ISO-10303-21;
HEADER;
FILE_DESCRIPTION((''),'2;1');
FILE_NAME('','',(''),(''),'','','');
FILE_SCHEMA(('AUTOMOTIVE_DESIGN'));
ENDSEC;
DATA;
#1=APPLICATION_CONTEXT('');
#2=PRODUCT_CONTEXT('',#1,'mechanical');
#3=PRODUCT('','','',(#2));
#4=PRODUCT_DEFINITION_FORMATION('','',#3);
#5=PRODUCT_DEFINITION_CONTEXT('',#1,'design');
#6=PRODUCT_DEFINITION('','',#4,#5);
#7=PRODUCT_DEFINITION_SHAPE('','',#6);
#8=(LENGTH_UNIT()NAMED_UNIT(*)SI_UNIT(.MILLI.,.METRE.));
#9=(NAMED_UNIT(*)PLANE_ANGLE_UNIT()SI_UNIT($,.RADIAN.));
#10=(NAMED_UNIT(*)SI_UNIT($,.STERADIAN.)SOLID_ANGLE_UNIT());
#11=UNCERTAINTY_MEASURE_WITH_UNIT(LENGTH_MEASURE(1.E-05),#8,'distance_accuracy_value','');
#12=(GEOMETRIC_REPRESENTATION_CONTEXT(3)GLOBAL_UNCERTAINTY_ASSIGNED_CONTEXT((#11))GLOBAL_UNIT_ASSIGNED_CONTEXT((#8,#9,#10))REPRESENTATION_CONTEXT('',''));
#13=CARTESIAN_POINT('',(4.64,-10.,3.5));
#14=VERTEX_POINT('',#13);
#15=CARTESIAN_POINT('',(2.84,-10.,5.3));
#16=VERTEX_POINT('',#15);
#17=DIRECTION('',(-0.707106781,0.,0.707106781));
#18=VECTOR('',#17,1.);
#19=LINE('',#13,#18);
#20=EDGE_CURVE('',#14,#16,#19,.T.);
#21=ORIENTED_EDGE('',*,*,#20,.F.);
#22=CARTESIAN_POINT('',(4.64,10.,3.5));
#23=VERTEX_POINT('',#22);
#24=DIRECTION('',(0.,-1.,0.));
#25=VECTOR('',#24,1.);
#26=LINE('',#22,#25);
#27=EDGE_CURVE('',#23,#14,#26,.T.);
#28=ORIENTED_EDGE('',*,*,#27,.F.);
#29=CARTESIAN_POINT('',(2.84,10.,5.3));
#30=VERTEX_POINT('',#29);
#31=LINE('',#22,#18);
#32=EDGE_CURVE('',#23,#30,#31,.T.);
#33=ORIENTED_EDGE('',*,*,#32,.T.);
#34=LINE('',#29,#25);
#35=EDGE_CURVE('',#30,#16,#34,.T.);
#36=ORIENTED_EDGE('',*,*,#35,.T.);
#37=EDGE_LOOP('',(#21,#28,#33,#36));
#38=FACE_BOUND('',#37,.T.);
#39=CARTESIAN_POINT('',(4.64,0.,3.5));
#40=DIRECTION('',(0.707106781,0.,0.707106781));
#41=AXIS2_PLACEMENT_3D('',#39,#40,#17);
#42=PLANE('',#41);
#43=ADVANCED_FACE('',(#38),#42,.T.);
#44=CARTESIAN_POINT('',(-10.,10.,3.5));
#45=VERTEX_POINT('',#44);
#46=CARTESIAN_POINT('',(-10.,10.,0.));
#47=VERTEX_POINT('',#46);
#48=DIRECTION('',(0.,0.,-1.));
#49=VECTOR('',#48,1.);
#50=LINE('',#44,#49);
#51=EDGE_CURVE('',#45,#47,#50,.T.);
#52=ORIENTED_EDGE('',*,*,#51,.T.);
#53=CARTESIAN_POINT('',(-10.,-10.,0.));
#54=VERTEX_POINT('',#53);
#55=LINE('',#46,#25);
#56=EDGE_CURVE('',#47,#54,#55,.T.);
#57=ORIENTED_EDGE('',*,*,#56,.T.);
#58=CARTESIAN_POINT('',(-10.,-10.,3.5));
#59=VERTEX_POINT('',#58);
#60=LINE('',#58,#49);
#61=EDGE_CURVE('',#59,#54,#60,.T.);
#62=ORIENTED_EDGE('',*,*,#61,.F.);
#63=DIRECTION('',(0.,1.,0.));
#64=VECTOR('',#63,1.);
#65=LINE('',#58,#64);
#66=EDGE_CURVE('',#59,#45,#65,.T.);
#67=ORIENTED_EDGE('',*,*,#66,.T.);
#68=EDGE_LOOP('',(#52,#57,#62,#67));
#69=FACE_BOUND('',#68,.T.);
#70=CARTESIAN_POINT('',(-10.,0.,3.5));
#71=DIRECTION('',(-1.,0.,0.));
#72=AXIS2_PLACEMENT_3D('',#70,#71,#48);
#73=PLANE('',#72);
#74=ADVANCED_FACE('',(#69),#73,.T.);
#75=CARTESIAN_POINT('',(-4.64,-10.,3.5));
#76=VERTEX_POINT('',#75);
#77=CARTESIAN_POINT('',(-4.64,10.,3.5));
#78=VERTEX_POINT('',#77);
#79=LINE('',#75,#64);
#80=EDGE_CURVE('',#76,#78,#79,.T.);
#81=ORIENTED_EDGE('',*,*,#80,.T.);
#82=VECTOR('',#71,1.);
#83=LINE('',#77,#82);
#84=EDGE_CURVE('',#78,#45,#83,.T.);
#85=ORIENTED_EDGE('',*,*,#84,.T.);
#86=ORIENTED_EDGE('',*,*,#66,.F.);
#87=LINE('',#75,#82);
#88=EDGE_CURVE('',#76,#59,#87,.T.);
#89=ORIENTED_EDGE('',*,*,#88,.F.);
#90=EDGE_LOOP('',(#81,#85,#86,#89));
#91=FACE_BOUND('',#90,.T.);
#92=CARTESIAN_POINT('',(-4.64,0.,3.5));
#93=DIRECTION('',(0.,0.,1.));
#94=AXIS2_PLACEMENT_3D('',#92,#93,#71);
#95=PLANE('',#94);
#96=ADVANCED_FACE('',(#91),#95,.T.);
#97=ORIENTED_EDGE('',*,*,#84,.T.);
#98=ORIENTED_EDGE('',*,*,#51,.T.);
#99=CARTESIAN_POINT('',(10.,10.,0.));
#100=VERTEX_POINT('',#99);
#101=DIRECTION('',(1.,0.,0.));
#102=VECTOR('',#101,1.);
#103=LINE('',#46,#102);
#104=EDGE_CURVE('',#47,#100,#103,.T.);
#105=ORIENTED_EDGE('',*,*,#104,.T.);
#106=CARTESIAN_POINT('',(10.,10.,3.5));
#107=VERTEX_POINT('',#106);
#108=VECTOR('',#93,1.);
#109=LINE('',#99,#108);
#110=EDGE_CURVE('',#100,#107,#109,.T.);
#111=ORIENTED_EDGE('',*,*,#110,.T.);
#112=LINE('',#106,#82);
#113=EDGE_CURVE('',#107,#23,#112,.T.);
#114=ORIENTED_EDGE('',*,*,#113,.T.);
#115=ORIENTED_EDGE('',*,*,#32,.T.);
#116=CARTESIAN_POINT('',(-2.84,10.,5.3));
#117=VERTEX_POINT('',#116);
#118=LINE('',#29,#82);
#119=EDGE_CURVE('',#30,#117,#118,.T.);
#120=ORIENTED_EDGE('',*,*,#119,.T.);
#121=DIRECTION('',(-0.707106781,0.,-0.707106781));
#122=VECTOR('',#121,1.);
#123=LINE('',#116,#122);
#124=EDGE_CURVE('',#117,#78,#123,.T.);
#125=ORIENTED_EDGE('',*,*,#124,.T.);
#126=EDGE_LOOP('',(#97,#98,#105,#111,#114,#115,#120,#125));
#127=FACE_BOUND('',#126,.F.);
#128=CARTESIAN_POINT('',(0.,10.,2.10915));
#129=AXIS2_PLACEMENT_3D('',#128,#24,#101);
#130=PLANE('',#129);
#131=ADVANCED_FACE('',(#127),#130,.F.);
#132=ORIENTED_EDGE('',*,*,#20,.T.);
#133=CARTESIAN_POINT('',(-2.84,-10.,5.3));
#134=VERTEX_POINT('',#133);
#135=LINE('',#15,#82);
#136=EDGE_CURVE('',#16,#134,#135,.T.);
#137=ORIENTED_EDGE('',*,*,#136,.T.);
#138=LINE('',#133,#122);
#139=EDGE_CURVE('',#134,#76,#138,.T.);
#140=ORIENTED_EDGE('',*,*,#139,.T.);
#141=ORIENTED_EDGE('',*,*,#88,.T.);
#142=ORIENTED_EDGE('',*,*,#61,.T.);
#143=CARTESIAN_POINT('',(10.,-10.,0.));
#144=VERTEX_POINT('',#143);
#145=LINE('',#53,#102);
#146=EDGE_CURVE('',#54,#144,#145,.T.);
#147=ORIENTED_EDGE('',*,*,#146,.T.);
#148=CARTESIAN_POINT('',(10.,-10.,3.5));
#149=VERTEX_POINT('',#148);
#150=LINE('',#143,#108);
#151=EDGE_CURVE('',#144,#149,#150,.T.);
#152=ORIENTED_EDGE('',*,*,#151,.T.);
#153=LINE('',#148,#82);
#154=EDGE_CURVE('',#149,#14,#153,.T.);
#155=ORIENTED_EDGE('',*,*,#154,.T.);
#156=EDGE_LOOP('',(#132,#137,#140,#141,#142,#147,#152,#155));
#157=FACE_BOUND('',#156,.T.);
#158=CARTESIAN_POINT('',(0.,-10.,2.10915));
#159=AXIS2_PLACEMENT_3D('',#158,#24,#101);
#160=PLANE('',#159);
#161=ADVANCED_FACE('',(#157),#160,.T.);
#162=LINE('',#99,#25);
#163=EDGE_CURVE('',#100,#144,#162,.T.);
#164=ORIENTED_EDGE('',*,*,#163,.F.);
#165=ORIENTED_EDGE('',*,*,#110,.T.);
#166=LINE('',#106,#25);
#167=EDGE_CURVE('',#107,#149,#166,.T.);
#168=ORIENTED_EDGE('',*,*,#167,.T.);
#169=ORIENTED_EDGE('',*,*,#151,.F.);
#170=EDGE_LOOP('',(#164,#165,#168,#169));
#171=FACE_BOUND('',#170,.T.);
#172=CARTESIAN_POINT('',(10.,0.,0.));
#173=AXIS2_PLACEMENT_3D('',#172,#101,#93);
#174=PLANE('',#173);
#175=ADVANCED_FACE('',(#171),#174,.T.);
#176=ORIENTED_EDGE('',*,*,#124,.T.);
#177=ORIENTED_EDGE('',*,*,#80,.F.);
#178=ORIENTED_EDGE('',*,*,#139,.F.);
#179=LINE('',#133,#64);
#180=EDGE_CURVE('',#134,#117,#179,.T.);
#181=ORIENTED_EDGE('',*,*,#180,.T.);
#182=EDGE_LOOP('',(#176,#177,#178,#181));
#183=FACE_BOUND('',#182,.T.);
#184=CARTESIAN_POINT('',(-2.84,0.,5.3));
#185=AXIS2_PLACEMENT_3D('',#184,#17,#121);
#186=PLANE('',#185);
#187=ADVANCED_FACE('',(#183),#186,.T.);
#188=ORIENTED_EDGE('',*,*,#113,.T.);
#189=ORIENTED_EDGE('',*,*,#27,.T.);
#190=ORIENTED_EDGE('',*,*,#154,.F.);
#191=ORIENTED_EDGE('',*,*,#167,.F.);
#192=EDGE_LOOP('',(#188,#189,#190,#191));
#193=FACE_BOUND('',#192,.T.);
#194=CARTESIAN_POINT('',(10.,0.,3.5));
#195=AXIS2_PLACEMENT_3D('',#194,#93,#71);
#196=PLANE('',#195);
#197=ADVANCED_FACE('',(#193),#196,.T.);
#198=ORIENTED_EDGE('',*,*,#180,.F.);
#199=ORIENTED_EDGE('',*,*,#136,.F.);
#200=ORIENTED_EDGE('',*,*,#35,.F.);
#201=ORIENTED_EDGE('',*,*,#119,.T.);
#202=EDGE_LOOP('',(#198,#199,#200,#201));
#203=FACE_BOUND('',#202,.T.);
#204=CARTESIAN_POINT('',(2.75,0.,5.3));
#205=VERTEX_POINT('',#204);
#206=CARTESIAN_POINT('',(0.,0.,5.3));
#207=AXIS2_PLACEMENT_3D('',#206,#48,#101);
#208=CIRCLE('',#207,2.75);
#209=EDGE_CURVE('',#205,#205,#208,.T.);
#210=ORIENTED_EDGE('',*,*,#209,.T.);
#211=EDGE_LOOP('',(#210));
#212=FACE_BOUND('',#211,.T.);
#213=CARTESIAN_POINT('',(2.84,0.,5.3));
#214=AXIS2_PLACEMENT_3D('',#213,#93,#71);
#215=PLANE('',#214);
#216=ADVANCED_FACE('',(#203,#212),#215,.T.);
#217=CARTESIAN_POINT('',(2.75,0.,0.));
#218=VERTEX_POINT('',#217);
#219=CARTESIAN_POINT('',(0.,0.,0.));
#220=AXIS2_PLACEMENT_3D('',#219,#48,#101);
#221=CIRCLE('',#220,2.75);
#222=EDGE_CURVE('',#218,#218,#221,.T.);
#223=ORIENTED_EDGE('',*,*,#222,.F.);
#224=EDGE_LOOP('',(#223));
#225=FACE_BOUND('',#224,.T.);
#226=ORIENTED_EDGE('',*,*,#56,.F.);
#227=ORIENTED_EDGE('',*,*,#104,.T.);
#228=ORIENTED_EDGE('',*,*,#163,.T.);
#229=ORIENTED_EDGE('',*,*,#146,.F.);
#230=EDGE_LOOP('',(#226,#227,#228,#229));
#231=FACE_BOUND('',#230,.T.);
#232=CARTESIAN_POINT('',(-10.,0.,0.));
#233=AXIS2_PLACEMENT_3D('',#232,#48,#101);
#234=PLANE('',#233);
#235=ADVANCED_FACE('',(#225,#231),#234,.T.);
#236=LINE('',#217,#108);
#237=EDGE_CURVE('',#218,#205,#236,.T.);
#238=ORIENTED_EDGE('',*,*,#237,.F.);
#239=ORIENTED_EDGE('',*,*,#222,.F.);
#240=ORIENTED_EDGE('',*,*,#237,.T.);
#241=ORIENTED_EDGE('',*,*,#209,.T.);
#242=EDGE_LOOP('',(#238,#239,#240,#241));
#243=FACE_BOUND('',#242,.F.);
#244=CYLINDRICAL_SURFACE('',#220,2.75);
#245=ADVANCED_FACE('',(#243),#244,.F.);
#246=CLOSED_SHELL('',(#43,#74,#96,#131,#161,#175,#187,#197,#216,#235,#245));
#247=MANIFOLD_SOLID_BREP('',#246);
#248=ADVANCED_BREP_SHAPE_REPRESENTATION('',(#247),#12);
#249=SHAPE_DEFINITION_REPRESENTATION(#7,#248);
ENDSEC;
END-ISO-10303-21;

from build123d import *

# Parameters (mm, degrees)
F1_DEPTH = 10
F2_R     = 2.75
F3_DEPTH = 5.301


with BuildPart() as f1:
    # F0 (on Front) → F1 (new body, symmetric)
    with BuildSketch(Plane.XZ):
        Polygon((-10, 3.5), (-10, 0), (10, 0), (10, 3.5), (4.64, 3.5), (2.84, 5.3), (-2.84, 5.3), (-4.64, 3.5), align=None)
    extrude(amount=F1_DEPTH, both=True)

    # F2 (on face) → F3 (cut, through all)
    with BuildSketch(Plane(origin=(0, 0, 0), x_dir=(1, 0, 0), z_dir=(0, 0, -1))):
        Circle(F2_R)
    extrude(amount=-F3_DEPTH, mode=Mode.SUBTRACT)


solid = f1.part
